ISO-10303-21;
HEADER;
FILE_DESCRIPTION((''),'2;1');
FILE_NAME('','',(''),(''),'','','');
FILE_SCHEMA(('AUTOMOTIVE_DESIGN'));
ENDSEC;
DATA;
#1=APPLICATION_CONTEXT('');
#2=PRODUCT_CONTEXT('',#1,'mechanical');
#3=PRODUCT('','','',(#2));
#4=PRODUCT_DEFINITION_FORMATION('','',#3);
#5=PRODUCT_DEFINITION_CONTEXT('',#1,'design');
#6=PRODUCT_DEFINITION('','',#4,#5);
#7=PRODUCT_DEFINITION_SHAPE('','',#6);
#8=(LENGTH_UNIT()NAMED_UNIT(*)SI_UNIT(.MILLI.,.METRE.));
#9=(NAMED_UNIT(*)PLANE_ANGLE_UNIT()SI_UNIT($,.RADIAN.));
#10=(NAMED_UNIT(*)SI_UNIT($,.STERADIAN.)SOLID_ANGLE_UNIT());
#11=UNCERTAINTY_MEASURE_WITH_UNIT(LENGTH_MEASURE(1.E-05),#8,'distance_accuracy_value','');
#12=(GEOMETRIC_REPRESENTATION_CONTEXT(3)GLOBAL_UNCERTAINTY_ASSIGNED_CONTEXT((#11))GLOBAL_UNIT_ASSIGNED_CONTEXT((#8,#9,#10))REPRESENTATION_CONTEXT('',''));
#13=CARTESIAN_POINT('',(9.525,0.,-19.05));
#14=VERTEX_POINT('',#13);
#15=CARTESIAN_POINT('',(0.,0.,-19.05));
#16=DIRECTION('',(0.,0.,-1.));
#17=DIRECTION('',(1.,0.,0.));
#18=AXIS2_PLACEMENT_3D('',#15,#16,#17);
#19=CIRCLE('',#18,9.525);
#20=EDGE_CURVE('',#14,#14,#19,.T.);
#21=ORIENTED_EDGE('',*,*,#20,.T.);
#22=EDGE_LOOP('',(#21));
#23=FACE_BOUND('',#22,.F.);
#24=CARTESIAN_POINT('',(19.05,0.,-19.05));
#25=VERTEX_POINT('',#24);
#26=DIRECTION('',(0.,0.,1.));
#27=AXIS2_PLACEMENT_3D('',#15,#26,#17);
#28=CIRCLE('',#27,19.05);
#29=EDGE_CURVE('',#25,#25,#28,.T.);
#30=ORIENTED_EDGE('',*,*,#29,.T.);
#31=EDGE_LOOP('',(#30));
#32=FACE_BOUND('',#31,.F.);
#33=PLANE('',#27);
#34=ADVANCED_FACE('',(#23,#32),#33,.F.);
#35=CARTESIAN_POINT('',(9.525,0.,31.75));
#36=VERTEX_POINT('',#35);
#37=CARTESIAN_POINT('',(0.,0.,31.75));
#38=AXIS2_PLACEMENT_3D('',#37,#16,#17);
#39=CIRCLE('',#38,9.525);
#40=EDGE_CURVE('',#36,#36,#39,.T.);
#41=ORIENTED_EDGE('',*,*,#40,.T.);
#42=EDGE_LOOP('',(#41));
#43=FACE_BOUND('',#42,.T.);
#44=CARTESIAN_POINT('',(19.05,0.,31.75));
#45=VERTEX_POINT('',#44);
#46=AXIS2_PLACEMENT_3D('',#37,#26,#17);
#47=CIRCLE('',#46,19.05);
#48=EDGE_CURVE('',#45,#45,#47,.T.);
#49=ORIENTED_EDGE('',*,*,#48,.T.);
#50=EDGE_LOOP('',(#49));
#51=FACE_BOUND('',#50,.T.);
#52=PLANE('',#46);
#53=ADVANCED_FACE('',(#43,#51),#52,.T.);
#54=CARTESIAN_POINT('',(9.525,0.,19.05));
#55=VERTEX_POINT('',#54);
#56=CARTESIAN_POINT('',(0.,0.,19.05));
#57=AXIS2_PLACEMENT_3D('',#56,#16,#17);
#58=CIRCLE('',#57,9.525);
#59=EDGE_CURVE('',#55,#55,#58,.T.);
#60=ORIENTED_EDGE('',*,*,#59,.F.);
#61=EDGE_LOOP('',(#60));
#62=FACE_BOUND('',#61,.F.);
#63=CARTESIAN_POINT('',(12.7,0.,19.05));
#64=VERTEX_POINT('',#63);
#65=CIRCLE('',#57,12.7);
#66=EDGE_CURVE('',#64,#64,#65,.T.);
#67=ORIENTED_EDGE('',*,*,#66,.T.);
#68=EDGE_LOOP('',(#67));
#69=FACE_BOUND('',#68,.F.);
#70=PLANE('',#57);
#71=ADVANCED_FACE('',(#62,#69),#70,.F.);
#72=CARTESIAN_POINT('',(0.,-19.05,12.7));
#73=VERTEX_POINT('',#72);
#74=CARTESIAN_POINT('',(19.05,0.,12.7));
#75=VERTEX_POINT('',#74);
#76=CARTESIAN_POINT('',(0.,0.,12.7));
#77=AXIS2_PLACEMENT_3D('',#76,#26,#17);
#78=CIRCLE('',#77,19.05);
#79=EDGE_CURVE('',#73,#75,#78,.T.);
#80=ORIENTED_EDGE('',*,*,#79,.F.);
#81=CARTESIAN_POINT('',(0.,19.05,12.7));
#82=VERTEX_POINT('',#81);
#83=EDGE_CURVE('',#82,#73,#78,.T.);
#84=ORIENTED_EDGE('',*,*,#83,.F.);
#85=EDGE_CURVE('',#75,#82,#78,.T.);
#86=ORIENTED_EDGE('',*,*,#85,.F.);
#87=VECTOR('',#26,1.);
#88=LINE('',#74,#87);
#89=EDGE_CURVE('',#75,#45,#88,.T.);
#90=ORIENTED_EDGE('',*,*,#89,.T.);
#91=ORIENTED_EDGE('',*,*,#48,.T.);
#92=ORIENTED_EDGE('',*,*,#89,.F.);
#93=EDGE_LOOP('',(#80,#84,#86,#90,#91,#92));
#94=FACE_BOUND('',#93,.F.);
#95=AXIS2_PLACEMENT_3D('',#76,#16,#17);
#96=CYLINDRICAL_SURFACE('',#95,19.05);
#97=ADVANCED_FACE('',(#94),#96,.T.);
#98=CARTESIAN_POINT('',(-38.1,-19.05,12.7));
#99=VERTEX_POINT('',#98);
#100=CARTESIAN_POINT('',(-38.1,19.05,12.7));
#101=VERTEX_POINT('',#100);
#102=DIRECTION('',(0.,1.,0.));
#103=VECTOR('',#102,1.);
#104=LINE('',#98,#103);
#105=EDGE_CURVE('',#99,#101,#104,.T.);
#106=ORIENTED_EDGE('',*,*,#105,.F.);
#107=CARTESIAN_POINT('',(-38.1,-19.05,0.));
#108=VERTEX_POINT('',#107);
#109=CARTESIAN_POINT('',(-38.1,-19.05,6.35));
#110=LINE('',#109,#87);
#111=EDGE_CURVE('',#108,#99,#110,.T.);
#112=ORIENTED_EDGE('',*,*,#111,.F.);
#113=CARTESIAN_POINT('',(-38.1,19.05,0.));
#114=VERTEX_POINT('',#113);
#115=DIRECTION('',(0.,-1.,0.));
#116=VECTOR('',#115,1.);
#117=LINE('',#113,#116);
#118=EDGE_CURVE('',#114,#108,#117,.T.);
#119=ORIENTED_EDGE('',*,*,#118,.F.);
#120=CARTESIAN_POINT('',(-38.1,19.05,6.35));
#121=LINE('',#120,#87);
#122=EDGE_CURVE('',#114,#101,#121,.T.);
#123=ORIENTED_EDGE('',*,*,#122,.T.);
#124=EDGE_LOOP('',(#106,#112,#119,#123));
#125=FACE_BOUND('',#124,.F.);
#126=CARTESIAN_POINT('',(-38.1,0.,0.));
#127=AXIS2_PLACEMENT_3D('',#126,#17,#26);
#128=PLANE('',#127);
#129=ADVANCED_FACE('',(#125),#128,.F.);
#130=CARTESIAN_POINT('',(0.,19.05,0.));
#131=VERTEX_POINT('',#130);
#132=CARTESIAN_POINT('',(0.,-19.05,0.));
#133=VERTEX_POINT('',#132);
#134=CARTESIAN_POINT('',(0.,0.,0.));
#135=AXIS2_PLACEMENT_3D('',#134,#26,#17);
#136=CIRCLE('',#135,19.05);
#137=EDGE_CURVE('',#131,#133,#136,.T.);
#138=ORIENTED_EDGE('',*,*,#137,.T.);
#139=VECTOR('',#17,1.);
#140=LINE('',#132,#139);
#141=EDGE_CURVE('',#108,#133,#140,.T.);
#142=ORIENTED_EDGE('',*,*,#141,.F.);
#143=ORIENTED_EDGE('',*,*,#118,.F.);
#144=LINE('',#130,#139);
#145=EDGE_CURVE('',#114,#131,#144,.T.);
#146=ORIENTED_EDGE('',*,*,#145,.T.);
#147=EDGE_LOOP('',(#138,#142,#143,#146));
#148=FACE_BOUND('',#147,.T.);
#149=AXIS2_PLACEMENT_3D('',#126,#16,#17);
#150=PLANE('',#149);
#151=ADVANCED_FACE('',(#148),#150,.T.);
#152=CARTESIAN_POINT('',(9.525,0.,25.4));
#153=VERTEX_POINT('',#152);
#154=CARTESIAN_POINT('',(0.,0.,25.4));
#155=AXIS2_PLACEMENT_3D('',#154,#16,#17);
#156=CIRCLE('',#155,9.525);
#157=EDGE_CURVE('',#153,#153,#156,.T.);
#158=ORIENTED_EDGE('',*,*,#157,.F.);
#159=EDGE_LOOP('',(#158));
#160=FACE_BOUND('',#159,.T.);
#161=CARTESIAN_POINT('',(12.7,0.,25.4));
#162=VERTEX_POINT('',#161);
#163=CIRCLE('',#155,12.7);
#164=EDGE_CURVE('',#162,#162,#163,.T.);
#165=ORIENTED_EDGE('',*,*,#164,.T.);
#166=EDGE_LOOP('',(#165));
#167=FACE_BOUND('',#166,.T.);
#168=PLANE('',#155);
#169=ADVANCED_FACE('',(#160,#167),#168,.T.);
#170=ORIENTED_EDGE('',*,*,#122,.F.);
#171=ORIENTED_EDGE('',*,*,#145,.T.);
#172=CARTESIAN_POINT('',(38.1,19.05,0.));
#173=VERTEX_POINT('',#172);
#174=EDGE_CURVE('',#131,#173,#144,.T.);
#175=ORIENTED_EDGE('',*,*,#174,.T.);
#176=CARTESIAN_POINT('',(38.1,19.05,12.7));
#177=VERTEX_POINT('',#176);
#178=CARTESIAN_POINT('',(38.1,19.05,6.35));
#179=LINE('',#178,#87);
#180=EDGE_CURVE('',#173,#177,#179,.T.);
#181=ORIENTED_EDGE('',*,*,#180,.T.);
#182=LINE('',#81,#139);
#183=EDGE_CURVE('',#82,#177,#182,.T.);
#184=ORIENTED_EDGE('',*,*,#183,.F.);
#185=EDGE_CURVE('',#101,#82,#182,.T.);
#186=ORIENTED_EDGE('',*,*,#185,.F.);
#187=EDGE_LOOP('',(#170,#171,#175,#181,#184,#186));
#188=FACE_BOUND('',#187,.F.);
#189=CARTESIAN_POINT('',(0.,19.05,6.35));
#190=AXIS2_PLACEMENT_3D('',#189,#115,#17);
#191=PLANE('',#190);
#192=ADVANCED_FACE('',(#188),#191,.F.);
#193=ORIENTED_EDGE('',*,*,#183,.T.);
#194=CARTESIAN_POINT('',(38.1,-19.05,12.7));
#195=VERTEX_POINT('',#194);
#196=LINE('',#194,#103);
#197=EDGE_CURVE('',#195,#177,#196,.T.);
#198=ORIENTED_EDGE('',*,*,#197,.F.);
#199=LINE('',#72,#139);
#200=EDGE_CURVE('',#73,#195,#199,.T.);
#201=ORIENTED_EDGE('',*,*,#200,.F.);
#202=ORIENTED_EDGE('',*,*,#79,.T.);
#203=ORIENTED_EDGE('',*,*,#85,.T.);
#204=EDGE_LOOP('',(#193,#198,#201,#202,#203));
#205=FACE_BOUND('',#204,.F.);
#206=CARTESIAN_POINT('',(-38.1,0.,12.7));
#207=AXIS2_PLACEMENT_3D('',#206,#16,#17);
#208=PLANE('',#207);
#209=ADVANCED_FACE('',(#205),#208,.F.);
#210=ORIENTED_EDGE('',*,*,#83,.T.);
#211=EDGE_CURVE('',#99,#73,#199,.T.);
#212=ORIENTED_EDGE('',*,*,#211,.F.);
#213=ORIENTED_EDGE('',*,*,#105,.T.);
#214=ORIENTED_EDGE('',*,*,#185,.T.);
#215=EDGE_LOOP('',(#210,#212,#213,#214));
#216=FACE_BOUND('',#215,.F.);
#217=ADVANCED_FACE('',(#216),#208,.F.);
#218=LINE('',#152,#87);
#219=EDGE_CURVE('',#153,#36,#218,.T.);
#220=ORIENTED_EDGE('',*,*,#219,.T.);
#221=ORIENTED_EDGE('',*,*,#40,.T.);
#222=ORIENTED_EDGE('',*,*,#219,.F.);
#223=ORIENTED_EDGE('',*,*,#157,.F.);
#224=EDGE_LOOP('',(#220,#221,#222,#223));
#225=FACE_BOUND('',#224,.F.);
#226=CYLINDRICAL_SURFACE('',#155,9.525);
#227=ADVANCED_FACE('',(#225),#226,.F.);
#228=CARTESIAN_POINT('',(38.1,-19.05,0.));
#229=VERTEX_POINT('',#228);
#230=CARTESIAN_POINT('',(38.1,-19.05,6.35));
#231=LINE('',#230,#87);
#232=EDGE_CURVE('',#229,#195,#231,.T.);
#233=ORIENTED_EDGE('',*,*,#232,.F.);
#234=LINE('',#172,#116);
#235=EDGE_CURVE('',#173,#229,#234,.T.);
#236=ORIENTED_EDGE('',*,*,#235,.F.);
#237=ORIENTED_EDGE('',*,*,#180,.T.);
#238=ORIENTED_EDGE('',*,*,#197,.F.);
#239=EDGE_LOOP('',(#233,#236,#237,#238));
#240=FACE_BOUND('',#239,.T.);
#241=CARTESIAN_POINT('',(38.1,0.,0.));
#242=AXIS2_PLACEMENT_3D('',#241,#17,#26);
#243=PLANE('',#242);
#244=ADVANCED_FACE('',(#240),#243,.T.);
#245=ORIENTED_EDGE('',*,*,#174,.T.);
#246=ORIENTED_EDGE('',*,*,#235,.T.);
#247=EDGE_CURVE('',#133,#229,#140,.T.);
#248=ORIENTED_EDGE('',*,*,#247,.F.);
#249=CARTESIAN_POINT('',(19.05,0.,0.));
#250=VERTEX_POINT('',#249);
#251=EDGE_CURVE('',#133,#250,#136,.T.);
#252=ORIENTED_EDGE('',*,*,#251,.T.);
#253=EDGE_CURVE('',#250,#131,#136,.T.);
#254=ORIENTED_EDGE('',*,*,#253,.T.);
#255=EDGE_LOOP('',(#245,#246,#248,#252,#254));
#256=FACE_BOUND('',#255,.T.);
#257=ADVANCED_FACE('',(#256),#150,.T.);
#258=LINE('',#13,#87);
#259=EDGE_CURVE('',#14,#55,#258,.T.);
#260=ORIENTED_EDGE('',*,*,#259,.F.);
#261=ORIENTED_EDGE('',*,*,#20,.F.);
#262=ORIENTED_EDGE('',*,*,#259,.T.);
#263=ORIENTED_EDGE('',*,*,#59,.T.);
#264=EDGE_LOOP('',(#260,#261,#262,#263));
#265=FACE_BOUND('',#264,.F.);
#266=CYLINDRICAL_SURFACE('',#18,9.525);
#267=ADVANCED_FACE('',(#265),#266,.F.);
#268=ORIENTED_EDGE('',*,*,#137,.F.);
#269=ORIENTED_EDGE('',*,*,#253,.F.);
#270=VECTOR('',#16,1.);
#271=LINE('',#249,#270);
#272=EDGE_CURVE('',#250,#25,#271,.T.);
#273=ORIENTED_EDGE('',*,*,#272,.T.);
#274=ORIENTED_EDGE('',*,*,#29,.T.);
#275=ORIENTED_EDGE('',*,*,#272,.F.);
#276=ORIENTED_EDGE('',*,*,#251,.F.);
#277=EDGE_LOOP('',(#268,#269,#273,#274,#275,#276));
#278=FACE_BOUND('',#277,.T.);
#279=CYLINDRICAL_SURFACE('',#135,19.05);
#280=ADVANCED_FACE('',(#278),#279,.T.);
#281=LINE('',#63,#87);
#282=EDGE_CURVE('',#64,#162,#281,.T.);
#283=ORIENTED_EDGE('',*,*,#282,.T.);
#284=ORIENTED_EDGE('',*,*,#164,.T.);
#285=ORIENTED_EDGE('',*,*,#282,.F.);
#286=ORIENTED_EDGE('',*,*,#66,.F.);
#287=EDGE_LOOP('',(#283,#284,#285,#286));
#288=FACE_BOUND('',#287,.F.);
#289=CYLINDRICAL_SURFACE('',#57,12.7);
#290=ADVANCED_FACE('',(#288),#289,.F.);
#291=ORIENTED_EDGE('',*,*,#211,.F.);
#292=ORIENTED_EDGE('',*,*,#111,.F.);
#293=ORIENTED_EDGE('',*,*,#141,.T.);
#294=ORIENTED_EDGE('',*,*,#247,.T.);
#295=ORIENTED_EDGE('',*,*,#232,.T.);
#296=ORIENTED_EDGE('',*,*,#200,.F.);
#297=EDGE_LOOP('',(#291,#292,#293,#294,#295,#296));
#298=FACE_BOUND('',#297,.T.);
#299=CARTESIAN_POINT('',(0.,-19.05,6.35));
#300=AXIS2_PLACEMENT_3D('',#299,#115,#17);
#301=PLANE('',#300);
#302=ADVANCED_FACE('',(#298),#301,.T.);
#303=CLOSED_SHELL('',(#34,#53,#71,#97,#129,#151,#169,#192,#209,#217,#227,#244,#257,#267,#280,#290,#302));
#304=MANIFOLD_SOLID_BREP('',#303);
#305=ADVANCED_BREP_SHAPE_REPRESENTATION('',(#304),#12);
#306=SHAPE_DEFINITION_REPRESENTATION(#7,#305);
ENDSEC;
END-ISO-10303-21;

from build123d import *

# Parameters (mm, degrees)
F0_W      = 76.2
F0_H      = 12.7
F1_DEPTH  = 19.05
F2_R      = 19.05
F3_DEPTH  = 19.05
F4_R      = 19.05
F5_DEPTH  = 19.05
F6_R      = 9.525
F7_DEPTH  = 38.1
F8_R      = 12.7
F9_DEPTH  = 6.35
F10_R     = 9.525
F11_DEPTH = 6.35


with BuildPart() as f1:
    # F0 (on Front) → F1 (new body, symmetric)
    with BuildSketch(Plane.XZ):
        with Locations((0, 6.35)):
            Rectangle(F0_W, F0_H)
    extrude(amount=F1_DEPTH, both=True)

    # F2 (on Top) → F3 (join)
    with BuildSketch(Plane.XY):
        Circle(F2_R)
    extrude(amount=-F3_DEPTH)

    # F4 (on face) → F5 (join)
    with BuildSketch(Plane.XY.offset(12.7)):
        Circle(F4_R)
    extrude(amount=F5_DEPTH)

    # F6 (on face) → F7 (cut)
    with BuildSketch(Plane(origin=(0, 0, -19.05), x_dir=(1, 0, 0), z_dir=(0, 0, -1))):
        Circle(F6_R)
    extrude(amount=-F7_DEPTH, mode=Mode.SUBTRACT)

    # F8 (on face) → F9 (cut)
    with BuildSketch(Plane(origin=(0, 0, 19.05), x_dir=(1, 0, 0), z_dir=(0, 0, -1))):
        Circle(F8_R)
    extrude(amount=-F9_DEPTH, mode=Mode.SUBTRACT)

    # F10 (on face) → F11 (cut)
    with BuildSketch(Plane(origin=(0, 0, 25.4), x_dir=(1, 0, 0), z_dir=(0, 0, -1))):
        Circle(F10_R)
    extrude(amount=-F11_DEPTH, mode=Mode.SUBTRACT)


solid = f1.part
